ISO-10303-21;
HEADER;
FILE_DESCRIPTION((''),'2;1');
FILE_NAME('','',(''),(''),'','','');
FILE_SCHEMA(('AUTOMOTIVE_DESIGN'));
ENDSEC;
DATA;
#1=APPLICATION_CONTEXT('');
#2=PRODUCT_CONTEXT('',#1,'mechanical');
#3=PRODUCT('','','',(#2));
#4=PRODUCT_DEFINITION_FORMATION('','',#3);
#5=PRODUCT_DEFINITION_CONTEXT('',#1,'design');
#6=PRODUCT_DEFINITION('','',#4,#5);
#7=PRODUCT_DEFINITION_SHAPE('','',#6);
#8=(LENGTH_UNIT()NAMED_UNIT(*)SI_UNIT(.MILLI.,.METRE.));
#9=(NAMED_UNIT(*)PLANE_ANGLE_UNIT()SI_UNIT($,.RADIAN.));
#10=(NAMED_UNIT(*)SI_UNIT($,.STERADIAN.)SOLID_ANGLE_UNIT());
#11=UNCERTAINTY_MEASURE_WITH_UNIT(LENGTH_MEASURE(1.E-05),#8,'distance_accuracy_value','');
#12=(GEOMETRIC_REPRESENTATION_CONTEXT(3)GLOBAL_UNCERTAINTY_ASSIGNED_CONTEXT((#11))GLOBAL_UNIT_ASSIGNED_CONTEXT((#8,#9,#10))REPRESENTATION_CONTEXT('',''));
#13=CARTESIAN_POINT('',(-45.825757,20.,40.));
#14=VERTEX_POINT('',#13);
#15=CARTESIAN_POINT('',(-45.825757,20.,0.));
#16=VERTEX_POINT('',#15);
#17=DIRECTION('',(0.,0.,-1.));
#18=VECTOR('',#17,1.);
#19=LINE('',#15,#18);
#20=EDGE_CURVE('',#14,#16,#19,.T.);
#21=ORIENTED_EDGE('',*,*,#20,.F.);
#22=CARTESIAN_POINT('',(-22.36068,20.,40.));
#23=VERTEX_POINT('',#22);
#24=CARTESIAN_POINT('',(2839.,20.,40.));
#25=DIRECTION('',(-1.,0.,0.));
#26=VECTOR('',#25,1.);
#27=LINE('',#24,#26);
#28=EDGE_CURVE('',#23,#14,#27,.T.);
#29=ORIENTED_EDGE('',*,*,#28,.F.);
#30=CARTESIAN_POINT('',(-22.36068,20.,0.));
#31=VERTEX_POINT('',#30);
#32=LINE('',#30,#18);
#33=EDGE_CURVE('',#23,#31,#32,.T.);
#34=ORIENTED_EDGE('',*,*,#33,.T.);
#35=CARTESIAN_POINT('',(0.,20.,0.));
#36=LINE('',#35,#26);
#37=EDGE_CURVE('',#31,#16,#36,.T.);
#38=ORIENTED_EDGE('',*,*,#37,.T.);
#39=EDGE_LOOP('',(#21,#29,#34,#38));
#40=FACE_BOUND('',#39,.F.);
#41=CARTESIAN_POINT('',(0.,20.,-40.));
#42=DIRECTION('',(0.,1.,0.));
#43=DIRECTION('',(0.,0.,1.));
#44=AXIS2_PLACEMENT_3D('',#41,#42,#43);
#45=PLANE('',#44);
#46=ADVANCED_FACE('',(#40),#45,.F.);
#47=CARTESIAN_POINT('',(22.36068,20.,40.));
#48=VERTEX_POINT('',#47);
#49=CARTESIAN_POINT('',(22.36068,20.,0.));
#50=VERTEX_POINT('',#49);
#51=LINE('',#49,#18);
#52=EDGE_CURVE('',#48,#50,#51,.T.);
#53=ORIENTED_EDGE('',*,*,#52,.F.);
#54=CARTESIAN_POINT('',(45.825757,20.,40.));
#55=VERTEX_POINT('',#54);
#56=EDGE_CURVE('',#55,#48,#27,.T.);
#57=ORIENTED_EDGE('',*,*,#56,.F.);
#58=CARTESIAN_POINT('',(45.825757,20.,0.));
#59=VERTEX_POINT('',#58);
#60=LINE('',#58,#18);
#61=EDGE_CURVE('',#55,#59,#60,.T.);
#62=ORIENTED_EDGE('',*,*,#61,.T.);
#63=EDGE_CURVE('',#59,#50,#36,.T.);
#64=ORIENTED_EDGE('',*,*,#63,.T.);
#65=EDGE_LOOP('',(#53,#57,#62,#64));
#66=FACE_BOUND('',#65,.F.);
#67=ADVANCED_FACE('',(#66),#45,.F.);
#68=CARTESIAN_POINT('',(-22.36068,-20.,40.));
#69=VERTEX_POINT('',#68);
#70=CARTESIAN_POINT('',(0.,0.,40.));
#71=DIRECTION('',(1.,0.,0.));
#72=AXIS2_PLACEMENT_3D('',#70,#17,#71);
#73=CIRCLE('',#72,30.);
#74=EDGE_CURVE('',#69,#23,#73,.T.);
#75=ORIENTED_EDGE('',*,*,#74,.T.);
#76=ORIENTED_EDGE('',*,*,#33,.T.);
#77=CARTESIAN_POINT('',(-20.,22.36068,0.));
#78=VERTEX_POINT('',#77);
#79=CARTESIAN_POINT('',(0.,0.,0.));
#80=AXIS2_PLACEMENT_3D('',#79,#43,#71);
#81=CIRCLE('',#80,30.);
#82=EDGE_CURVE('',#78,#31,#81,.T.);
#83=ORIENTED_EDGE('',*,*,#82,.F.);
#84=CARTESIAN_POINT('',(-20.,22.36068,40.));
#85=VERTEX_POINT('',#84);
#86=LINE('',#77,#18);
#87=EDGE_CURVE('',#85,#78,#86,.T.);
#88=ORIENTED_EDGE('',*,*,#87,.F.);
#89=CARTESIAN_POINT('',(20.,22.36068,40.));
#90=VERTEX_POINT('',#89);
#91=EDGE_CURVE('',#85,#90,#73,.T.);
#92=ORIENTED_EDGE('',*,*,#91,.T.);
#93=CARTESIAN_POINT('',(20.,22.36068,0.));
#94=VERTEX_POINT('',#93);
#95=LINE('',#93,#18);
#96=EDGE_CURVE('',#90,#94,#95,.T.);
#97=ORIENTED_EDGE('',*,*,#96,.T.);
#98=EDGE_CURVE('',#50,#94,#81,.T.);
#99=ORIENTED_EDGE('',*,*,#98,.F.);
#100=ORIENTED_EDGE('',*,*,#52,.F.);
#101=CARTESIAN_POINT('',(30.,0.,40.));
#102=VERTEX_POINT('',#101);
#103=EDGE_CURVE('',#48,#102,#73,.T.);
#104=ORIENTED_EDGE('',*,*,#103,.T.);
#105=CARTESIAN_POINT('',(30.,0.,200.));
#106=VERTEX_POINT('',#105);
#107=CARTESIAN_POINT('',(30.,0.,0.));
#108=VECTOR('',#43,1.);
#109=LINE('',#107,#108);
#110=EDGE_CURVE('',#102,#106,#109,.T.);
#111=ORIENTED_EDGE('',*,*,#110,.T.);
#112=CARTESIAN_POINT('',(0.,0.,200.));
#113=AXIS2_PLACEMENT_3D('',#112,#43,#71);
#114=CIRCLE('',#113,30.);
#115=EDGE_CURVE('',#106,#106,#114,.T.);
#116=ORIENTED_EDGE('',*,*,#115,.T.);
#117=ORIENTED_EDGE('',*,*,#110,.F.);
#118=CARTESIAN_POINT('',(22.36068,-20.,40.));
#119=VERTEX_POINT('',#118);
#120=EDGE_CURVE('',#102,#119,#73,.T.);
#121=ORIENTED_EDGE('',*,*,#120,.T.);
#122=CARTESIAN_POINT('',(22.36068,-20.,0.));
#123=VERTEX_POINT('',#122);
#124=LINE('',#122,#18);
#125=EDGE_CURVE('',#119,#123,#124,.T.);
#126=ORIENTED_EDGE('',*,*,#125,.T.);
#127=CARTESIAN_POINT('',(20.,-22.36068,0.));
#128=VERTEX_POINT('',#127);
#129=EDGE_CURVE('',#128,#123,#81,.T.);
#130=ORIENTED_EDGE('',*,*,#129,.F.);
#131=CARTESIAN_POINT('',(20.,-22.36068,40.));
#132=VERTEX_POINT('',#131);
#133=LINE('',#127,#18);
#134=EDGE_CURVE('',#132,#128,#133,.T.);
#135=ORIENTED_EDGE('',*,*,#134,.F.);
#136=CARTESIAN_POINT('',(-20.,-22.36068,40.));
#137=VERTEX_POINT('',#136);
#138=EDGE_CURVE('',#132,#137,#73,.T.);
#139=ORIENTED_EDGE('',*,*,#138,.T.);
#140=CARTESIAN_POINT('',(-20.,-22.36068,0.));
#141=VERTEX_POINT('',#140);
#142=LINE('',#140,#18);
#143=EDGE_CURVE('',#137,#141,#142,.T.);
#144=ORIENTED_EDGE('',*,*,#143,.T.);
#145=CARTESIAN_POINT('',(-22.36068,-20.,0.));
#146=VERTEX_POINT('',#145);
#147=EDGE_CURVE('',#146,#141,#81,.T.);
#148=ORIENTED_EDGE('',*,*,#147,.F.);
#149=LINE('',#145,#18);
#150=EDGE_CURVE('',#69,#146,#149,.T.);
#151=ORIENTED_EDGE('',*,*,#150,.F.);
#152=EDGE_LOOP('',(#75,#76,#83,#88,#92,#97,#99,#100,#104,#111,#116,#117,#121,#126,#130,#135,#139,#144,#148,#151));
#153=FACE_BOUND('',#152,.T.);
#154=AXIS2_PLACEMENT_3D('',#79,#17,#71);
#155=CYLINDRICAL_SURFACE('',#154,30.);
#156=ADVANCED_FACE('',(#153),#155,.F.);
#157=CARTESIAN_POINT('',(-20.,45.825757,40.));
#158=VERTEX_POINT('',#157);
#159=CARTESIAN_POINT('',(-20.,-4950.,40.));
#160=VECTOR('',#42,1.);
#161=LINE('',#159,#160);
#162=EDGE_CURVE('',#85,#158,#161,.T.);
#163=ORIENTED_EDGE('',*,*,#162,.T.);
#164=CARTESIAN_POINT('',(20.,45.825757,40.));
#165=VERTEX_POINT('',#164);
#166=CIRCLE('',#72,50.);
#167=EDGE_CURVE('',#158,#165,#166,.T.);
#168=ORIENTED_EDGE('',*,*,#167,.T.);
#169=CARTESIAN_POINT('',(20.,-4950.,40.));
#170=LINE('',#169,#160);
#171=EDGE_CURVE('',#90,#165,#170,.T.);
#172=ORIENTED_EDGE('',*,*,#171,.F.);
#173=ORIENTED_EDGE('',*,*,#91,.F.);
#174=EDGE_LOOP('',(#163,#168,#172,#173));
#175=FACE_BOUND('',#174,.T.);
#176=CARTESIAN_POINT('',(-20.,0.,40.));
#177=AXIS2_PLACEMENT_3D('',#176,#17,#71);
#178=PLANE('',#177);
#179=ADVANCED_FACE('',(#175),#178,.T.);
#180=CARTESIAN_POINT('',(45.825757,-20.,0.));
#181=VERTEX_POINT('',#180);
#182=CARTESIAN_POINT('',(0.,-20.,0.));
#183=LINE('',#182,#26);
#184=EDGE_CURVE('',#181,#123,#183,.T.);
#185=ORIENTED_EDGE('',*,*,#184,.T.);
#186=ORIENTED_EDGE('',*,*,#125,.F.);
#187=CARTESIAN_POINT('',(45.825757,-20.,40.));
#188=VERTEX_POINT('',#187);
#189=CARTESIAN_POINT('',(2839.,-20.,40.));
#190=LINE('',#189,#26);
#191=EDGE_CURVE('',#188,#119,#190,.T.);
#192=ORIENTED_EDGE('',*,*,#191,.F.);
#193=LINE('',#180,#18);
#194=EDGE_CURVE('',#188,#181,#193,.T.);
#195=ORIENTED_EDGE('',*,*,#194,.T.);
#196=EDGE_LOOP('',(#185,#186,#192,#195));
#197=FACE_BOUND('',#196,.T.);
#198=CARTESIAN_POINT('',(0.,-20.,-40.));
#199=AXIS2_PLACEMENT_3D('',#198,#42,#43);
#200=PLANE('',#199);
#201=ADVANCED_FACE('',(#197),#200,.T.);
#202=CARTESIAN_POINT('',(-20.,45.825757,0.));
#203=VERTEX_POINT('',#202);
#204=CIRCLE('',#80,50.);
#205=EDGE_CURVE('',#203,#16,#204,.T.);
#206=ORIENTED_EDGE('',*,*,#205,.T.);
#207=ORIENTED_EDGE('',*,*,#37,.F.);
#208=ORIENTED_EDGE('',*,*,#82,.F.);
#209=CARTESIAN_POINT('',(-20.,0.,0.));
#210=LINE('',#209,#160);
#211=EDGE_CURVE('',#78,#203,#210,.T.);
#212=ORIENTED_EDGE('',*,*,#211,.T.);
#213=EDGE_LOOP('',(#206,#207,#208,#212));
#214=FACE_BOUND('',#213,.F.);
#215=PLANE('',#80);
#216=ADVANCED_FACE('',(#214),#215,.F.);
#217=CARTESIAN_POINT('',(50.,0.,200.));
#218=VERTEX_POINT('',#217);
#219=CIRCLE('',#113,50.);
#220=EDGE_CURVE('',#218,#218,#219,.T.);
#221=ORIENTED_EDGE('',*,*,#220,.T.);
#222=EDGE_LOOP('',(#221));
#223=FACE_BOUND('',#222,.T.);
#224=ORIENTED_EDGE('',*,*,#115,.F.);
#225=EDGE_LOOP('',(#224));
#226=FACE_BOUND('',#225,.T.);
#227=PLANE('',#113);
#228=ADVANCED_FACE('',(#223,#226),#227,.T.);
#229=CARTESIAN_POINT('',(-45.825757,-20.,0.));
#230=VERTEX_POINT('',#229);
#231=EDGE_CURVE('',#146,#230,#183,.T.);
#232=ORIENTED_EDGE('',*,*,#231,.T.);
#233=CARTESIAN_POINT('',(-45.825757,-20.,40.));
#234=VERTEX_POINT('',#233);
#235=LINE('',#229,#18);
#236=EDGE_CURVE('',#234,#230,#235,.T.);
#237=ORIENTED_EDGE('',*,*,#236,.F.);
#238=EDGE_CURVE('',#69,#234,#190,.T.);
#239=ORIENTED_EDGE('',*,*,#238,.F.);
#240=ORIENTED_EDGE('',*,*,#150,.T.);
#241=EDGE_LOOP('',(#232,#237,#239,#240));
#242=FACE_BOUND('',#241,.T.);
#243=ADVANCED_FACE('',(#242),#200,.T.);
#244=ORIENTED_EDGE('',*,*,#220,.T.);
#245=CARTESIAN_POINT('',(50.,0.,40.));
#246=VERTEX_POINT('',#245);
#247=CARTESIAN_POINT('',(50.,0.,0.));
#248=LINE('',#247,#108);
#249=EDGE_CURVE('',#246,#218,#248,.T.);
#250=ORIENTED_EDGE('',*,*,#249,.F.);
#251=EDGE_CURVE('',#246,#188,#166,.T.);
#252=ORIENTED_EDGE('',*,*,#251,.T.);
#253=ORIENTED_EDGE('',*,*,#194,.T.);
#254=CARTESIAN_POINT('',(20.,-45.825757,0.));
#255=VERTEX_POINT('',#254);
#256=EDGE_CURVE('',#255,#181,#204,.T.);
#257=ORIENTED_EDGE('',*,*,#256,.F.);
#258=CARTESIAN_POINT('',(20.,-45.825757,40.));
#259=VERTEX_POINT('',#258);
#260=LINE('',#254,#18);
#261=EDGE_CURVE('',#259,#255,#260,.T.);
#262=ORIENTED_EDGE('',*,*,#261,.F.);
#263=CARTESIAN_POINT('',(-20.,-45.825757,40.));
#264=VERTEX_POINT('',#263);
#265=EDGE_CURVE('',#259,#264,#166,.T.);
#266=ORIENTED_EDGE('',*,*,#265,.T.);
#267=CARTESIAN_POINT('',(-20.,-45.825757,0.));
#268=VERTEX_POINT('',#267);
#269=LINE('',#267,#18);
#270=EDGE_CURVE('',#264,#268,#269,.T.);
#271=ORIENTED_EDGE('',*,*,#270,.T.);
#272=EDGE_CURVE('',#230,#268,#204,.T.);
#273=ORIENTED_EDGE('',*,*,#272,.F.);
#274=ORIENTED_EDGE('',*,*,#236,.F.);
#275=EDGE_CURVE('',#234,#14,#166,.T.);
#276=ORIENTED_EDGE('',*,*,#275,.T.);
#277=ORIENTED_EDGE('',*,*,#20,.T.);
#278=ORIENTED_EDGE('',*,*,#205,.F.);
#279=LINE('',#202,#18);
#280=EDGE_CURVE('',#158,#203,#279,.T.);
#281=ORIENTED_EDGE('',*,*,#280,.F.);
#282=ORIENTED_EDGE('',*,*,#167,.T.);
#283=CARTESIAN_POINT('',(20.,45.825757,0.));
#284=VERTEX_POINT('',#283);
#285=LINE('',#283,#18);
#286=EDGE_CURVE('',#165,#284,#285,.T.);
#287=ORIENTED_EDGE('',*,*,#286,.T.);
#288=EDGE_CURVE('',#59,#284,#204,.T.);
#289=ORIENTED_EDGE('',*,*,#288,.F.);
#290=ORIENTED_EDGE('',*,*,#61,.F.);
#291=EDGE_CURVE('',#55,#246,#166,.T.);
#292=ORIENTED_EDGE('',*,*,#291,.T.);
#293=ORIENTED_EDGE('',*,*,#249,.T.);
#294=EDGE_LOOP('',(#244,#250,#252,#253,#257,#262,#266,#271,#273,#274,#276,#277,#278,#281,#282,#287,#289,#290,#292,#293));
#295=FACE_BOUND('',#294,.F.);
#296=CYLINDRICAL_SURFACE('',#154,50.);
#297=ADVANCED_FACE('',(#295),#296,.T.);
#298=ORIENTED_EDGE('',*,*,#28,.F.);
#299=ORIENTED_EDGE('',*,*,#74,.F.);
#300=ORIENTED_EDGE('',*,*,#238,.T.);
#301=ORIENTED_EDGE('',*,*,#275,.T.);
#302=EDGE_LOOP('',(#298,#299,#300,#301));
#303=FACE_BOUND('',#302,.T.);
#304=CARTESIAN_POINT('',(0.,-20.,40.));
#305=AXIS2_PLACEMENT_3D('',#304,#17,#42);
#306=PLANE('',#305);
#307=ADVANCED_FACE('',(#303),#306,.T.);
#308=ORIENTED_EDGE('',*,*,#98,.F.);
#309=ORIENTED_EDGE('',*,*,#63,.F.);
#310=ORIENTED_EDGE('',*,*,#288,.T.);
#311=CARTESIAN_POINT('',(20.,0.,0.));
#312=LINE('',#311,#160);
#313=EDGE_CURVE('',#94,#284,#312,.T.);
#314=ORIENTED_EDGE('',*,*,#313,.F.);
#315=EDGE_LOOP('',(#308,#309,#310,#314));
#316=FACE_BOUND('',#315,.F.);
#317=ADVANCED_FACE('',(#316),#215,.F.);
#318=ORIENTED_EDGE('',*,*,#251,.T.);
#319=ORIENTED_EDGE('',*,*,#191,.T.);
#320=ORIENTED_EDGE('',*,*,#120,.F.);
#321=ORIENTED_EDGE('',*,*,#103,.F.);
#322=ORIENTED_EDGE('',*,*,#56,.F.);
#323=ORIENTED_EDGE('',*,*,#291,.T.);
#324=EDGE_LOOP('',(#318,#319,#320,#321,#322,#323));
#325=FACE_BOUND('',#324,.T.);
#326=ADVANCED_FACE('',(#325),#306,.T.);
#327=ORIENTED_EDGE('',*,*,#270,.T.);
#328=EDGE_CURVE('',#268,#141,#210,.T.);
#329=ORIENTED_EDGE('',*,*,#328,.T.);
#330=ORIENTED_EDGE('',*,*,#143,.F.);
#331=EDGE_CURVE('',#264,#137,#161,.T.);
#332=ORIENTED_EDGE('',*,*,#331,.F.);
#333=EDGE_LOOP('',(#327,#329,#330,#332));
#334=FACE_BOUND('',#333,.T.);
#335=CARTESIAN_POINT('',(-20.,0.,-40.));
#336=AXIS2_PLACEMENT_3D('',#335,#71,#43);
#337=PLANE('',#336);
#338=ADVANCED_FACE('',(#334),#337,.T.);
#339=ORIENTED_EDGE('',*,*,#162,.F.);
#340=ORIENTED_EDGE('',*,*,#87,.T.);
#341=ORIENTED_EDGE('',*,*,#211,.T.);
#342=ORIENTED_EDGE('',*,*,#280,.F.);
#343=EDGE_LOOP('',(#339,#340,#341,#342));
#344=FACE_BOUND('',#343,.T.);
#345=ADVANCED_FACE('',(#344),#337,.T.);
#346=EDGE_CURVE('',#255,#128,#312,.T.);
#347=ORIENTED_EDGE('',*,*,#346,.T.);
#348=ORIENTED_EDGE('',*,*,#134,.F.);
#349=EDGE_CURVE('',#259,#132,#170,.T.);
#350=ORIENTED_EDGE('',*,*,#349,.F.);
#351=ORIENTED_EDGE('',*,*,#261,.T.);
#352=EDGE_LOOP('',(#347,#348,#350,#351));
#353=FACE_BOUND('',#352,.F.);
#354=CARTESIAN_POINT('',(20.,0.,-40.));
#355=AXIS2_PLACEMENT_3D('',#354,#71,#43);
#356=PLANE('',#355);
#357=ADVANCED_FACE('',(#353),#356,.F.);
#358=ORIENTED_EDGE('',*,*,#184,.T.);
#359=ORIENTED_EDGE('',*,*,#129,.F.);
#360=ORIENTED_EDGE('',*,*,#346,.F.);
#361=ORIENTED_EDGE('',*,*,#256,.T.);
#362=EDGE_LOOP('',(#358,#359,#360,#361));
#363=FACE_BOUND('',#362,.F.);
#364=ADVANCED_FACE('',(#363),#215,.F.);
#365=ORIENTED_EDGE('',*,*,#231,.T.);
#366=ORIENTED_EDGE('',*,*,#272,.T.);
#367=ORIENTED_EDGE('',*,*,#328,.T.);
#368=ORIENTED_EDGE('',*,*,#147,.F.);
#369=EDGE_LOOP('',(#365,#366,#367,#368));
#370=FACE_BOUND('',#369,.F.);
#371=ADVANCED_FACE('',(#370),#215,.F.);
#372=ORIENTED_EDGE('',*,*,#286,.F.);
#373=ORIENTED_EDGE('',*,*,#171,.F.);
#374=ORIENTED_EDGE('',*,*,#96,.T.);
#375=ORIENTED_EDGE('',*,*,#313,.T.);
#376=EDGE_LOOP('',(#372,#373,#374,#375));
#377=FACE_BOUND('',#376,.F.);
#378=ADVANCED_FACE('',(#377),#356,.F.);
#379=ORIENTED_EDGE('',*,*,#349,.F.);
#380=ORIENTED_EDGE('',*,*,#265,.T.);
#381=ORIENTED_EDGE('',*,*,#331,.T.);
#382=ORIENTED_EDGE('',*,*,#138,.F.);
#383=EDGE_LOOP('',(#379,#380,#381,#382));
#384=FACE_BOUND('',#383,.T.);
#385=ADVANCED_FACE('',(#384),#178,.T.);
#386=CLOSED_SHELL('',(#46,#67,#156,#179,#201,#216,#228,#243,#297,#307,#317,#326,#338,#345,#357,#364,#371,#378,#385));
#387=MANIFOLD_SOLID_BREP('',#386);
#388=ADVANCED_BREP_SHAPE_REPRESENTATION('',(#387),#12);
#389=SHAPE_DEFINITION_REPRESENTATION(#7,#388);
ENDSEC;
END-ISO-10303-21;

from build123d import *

# Parameters (mm, degrees)
F0_R     = 50
F0_R_2   = 30
F1_DEPTH = 200
F2_W     = 40
F2_H     = 80
F3_DEPTH = 4950
F4_W     = 40
F4_H     = 80
F5_DEPTH = 2839


with BuildPart() as f1:
    # F0 (on Top) → F1 (new body)
    with BuildSketch(Plane.XY):
        Circle(F0_R)
        Circle(F0_R_2, mode=Mode.SUBTRACT)
    extrude(amount=F1_DEPTH)

    # F2 (on Front) → F3 (cut, symmetric)
    with BuildSketch(Plane.XZ):
        Rectangle(F2_W, F2_H)
    extrude(amount=F3_DEPTH, both=True, mode=Mode.SUBTRACT)

    # F4 (on Right) → F5 (cut, symmetric)
    with BuildSketch(Plane.YZ):
        Rectangle(F4_W, F4_H)
    extrude(amount=F5_DEPTH, both=True, mode=Mode.SUBTRACT)


solid = f1.part
